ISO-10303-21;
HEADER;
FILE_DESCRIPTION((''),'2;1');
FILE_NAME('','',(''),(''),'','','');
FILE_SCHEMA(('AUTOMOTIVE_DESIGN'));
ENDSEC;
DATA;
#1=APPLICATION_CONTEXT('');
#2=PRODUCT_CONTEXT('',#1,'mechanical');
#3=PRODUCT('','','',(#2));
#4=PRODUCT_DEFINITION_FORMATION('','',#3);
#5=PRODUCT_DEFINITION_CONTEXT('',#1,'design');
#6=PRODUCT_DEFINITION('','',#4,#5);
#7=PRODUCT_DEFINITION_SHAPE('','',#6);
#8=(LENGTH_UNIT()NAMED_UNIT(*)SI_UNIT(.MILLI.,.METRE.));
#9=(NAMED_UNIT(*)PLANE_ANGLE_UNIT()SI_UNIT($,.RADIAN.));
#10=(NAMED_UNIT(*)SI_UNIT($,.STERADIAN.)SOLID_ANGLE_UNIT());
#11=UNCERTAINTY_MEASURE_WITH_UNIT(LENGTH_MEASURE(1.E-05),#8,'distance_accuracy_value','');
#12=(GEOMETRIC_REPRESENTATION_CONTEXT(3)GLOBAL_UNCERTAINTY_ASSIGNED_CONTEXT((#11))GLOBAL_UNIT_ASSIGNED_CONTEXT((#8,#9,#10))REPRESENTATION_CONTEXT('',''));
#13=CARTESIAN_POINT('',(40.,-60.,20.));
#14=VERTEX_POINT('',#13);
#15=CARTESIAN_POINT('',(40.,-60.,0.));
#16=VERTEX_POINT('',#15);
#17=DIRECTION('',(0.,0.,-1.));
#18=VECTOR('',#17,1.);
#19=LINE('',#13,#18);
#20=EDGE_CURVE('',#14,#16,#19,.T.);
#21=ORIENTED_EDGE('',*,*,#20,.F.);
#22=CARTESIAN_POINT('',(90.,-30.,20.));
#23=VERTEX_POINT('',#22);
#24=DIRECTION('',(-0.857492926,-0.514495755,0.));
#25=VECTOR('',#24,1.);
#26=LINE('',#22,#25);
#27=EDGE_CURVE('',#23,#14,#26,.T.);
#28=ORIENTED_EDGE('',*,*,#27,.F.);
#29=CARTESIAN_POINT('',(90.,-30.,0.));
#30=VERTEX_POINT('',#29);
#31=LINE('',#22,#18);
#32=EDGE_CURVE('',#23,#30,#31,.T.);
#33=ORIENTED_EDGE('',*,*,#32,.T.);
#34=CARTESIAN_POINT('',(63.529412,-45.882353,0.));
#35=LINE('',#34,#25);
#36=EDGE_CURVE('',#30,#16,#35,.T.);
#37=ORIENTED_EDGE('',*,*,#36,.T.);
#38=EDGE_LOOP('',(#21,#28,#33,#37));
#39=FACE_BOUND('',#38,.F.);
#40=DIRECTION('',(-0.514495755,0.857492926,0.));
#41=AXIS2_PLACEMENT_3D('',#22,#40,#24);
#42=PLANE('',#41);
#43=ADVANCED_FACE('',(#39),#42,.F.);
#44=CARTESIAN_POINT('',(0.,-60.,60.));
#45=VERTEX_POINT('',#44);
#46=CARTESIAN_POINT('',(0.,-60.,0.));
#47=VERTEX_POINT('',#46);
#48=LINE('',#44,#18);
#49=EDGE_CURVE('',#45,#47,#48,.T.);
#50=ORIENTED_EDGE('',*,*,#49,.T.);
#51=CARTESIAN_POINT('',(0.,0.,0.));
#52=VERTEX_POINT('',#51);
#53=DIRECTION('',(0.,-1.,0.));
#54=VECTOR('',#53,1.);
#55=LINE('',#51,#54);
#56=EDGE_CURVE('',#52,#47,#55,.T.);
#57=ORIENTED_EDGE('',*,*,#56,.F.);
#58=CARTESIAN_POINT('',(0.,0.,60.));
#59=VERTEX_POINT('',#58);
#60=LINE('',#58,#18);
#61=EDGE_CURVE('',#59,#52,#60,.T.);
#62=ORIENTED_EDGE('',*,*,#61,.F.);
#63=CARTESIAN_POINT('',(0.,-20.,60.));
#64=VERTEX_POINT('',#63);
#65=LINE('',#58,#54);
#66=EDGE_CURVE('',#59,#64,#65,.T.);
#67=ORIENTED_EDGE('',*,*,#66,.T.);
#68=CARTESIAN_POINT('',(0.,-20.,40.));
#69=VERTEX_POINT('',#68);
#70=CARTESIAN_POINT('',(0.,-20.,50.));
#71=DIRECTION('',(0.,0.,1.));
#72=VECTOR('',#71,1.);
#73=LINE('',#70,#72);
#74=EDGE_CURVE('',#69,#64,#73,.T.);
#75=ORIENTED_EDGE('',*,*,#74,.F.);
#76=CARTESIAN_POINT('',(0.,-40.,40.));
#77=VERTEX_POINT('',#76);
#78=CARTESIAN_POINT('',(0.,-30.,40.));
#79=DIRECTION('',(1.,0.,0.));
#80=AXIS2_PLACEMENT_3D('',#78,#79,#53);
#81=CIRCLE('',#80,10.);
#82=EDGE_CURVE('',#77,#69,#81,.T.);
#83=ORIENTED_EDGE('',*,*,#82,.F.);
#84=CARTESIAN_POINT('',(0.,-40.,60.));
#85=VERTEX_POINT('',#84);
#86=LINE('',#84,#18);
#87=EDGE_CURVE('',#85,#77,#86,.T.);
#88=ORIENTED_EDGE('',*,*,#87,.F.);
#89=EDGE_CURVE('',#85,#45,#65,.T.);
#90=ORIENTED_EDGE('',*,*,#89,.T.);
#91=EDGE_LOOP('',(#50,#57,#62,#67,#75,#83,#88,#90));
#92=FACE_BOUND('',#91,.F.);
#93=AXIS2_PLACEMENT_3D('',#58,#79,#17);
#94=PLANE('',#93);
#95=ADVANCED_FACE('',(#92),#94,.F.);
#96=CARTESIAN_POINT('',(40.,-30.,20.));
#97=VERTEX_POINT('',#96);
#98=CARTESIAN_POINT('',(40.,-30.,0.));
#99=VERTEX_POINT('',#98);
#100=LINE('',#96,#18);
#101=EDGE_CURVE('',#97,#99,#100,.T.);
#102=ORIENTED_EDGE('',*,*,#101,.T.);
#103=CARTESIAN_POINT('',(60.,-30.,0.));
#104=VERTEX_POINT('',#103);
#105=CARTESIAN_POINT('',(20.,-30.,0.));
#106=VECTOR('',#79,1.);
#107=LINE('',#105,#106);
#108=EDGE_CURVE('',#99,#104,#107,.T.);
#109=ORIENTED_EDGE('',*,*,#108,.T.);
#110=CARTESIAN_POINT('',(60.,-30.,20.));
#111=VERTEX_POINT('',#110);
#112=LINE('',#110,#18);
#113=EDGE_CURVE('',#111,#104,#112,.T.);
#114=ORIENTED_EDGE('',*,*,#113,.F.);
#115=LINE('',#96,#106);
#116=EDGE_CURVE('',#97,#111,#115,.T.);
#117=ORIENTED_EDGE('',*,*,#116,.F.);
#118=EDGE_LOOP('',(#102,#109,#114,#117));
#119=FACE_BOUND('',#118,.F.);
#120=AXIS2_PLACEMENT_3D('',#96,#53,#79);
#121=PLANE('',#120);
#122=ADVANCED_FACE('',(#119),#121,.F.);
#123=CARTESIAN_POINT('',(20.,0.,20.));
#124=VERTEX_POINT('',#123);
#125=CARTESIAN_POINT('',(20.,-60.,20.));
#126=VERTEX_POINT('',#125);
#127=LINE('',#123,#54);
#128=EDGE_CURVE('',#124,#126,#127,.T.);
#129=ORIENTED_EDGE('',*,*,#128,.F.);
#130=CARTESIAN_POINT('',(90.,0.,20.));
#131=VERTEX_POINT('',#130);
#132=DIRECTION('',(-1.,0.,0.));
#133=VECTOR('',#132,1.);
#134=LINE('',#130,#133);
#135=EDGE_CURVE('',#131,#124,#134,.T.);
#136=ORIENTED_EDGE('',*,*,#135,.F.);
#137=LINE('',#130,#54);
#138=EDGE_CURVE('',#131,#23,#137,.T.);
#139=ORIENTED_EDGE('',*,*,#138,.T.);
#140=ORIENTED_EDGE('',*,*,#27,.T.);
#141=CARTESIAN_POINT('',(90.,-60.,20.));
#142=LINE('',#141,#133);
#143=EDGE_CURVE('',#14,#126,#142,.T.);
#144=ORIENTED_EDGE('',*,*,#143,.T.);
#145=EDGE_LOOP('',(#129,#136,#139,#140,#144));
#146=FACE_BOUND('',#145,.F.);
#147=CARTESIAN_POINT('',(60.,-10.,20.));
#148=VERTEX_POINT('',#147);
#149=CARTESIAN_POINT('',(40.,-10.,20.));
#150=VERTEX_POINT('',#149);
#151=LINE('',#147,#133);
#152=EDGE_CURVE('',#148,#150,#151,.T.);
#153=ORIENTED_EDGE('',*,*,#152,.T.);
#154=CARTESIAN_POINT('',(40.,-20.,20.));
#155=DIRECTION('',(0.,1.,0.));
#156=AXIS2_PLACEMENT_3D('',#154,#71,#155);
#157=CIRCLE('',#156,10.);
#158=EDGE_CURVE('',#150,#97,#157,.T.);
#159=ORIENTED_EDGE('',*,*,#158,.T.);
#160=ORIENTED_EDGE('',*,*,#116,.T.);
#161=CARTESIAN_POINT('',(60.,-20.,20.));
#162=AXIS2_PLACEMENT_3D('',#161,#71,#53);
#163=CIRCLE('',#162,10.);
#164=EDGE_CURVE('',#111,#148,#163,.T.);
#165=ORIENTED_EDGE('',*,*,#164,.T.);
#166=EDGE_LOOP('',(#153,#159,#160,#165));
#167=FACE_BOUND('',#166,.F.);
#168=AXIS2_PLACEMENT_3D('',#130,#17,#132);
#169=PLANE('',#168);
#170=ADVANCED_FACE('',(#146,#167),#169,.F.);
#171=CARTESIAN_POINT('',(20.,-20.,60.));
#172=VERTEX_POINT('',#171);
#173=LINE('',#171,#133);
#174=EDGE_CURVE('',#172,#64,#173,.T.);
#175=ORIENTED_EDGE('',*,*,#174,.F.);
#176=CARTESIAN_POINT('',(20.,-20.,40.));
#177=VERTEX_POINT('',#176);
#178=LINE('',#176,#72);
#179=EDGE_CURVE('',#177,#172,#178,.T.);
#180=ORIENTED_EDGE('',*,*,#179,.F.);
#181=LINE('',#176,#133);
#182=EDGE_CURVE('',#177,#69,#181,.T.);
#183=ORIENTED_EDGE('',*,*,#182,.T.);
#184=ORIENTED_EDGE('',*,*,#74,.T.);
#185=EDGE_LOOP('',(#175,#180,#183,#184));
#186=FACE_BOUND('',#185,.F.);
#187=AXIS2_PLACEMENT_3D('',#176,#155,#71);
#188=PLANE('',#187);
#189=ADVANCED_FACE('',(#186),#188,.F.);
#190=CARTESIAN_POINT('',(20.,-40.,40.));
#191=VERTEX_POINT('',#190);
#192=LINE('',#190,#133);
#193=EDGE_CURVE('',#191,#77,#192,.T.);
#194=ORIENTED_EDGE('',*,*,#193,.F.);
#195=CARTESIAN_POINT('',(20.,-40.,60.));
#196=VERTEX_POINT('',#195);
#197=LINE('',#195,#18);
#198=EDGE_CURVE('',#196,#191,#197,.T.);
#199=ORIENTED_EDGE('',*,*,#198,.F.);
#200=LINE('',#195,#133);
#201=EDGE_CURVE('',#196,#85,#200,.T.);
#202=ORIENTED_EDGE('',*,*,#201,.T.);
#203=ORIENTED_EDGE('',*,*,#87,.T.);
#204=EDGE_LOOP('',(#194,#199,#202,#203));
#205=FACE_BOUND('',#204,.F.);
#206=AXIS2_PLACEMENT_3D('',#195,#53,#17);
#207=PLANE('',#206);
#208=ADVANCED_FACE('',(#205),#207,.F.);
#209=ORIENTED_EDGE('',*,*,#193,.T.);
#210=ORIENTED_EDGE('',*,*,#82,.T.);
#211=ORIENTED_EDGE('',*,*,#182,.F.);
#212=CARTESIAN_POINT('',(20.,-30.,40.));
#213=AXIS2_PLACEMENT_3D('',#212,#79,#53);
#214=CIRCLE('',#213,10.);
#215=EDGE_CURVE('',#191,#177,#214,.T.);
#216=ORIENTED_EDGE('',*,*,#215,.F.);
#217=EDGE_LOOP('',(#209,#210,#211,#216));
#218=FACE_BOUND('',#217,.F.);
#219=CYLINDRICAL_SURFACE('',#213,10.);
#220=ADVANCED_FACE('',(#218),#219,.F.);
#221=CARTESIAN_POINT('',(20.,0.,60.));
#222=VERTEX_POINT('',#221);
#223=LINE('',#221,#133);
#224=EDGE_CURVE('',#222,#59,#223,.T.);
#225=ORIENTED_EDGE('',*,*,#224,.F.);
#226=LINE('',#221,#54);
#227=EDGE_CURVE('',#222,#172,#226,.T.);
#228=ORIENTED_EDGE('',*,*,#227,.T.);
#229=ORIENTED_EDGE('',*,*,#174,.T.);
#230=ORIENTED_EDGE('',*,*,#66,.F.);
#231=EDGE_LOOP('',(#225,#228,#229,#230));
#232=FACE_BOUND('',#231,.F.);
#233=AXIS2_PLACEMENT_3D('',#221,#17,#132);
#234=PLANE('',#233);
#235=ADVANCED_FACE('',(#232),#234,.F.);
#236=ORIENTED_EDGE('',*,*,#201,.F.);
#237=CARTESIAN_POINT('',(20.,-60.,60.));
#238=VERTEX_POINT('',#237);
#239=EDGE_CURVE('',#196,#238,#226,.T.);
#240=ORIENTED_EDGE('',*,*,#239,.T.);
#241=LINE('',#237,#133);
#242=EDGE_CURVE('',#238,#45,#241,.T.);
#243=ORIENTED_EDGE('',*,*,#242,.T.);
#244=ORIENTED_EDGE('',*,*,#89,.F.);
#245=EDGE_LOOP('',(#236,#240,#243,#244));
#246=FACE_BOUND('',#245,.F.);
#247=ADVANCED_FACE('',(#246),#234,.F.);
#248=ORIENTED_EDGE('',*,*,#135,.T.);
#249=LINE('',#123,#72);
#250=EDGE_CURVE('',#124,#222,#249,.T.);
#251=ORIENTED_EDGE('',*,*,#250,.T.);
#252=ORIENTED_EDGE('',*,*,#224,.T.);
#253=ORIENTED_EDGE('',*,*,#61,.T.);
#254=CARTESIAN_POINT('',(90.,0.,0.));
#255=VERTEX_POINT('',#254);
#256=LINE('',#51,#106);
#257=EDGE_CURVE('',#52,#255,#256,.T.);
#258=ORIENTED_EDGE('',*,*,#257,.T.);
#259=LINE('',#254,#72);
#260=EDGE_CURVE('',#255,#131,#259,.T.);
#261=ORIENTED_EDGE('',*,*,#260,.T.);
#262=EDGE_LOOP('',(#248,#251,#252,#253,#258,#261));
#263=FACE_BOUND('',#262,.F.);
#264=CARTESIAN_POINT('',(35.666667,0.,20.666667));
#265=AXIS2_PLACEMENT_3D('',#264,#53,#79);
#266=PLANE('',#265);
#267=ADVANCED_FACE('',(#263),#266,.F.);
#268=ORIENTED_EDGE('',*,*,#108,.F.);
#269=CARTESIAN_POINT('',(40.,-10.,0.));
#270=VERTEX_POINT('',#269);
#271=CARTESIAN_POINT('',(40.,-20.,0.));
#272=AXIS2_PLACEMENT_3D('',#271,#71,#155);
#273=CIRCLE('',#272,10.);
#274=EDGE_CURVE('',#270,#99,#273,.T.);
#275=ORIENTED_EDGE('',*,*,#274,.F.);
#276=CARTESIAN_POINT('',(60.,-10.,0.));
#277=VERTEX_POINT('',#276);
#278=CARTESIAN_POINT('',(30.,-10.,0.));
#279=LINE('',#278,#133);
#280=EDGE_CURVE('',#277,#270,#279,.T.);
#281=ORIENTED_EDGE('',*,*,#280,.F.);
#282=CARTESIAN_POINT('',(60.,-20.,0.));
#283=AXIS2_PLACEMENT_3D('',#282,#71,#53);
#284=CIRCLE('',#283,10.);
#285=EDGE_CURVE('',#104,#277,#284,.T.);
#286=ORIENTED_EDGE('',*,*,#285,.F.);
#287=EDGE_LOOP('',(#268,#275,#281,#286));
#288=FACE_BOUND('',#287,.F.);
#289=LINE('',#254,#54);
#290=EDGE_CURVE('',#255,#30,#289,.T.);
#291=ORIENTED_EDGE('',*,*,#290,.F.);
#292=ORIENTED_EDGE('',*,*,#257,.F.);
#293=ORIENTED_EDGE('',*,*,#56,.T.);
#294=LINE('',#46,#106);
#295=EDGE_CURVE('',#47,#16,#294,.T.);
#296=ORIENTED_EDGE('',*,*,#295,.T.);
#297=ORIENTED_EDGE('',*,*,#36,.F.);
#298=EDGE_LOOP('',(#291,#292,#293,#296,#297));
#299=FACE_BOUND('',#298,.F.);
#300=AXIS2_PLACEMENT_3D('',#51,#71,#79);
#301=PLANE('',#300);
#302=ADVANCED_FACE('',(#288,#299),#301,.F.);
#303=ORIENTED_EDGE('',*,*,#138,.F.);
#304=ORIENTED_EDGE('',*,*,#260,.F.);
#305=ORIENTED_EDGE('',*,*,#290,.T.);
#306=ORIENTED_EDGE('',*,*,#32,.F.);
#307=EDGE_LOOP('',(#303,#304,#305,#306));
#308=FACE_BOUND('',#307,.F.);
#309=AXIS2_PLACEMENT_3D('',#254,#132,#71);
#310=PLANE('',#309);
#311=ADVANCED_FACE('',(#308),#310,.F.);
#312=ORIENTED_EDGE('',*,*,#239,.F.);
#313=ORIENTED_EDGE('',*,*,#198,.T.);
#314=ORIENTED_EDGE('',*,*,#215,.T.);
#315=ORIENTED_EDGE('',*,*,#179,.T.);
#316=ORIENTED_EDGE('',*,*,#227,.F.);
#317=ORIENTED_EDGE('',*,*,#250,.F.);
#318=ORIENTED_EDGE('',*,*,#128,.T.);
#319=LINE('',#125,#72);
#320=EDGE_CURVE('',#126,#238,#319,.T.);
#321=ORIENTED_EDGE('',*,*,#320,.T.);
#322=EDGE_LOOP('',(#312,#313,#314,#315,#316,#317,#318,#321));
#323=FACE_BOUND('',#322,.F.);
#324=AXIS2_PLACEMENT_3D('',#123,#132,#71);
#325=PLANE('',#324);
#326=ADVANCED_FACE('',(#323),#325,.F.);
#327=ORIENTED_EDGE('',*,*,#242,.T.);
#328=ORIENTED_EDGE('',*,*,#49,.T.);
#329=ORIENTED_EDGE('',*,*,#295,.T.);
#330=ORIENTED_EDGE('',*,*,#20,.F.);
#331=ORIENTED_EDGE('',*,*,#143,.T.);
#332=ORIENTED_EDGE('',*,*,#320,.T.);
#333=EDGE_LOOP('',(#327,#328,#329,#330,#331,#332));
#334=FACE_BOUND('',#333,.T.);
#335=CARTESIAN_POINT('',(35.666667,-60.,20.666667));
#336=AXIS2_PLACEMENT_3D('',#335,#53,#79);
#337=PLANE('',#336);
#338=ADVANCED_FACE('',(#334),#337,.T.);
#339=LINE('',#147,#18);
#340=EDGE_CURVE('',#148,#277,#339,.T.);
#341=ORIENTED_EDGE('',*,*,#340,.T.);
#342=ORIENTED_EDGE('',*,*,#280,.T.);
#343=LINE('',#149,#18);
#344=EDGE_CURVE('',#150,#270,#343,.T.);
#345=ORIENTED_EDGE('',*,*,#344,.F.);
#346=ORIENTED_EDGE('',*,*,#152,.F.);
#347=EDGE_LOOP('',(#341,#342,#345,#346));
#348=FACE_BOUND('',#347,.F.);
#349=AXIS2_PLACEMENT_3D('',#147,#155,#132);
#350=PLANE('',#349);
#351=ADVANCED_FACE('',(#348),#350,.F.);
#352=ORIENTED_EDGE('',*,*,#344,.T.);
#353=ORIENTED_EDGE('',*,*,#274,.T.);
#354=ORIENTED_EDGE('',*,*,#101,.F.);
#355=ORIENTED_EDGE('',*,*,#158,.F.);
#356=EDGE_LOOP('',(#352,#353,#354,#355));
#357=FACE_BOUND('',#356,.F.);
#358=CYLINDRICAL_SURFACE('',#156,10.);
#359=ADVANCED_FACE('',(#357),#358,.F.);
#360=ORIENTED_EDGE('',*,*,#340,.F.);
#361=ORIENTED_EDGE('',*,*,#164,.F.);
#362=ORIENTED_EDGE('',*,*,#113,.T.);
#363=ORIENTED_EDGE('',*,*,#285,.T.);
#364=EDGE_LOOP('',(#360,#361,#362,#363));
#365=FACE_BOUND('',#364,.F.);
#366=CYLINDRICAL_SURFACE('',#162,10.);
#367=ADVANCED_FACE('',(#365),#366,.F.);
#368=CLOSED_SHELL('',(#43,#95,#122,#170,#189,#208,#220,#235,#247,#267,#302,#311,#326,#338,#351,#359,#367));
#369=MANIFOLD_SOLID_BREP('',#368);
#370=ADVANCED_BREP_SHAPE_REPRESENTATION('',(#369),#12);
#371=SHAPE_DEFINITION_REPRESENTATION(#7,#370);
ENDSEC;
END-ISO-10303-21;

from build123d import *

# Parameters (mm, degrees)
F1_DEPTH = 60
F3_DEPTH = 20.001
F5_DEPTH = 20.001
F7_DEPTH = 20.001


with BuildPart() as f1:
    # F0 (on Front) → F1 (new body)
    with BuildSketch(Plane.XZ):
        Polygon((0, 60), (0, 0), (90, 0), (90, 20), (20, 20), (20, 60), align=None)
    extrude(amount=F1_DEPTH)

    # F2 (on face) → F3 (cut, through all)
    with BuildSketch(Plane.YZ.offset(20)):
        with BuildLine():
            Line((-20, 60), (-40, 60))
            Line((-40, 60), (-40, 40))
            ThreePointArc((-40, 40), (-30, 30), (-20, 40))
            Line((-20, 40), (-20, 60))
        make_face()
    extrude(amount=-F3_DEPTH, mode=Mode.SUBTRACT)

    # F4 (on face) → F5 (cut, through all)
    with BuildSketch(Plane.XY.offset(20)):
        Polygon((90, -60), (90, -30), (40, -60), align=None)
    extrude(amount=-F5_DEPTH, mode=Mode.SUBTRACT)

    # F6 (on face) → F7 (cut, through all)
    with BuildSketch(Plane.XY.offset(20)):
        with BuildLine():
            ThreePointArc((40, -10), (30, -20), (40, -30))
            Line((40, -30), (60, -30))
            ThreePointArc((60, -30), (70, -20), (60, -10))
            Line((60, -10), (40, -10))
        make_face()
    extrude(amount=-F7_DEPTH, mode=Mode.SUBTRACT)


solid = f1.part
